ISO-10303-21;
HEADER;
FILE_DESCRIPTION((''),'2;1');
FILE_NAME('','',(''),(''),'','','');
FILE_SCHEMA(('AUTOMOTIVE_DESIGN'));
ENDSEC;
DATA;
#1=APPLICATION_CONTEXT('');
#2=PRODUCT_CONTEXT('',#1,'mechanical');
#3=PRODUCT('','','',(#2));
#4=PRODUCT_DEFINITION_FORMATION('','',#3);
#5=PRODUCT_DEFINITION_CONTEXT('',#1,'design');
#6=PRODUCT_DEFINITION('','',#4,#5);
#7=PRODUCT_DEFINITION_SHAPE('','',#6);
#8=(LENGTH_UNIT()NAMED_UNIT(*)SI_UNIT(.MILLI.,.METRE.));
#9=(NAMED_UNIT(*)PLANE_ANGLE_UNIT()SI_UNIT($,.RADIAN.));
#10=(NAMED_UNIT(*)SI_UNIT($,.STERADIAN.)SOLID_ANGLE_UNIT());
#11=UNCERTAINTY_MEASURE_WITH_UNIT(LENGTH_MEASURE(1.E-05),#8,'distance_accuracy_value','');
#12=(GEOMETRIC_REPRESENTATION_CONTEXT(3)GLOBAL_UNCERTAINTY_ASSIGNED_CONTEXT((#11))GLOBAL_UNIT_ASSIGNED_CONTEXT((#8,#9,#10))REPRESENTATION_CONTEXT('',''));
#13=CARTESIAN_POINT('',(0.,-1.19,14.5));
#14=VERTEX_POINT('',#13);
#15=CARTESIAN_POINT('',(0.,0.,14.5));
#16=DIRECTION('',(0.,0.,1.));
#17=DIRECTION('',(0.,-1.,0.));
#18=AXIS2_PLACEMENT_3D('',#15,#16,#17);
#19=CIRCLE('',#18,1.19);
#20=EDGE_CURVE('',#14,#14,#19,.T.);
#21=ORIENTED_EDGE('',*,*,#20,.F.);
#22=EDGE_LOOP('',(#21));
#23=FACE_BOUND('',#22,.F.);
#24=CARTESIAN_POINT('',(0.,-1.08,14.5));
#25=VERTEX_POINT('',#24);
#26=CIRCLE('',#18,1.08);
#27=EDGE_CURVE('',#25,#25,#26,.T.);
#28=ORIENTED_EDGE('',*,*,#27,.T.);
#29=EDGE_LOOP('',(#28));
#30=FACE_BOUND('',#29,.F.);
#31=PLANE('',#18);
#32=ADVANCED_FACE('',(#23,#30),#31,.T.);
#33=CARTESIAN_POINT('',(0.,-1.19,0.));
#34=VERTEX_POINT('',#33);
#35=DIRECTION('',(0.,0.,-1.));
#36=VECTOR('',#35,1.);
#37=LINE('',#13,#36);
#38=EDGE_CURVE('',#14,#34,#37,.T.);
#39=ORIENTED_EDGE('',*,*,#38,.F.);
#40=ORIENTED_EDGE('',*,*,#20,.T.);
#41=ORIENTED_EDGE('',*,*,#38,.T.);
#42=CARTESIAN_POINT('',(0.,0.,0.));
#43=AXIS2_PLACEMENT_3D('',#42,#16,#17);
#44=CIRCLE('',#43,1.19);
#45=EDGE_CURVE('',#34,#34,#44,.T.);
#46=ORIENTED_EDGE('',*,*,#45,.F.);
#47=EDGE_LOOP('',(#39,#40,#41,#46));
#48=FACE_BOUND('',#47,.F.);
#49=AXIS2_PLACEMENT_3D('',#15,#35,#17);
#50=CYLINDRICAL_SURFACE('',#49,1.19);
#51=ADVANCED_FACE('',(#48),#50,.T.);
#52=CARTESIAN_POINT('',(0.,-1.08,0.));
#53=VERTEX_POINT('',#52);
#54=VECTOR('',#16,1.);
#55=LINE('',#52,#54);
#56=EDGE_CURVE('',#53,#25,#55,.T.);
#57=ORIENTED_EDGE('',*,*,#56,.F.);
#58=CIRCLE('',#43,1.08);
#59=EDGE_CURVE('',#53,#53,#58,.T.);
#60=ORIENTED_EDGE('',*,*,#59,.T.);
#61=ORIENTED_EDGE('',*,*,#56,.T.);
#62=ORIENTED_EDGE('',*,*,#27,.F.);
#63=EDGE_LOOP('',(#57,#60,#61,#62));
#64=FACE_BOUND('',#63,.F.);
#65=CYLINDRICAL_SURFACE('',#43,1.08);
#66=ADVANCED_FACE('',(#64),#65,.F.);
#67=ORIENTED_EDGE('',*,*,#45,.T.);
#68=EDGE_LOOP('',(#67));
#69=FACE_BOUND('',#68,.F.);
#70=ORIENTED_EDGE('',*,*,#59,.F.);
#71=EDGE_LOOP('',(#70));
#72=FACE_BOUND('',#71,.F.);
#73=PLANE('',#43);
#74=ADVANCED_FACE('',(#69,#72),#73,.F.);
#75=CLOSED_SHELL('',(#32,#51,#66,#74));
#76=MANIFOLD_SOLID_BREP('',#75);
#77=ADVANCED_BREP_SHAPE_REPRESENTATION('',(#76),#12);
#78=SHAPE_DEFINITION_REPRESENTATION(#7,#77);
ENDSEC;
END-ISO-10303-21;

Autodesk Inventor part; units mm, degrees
ref_plane "YZ Plane" through (0, 0, 0) normal (1, 0, 0) x (0, 1, 0)
ref_plane "XZ Plane" through (0, 0, 0) normal (0, 1, 0) x (-1, 0, 0)
ref_plane "XY Plane" through (0, 0, 0) normal (0, 0, 1) x (1, 0, 0)
sketch "Skizze3" plane through (0, 0, 0) normal (1, 0, 0) x (0, 1, 0)
  line L0 (0, 0) -> (0, 8.4101)
  line L1 (-1.08, 0) -> (-1.08, 14.5)
  line L2 (-1.08, 14.5) -> (-1.19, 14.5)
  line L3 (-1.19, 14.5) -> (-1.19, 0)
  line L4 (-1.19, 0) -> (-1.08, 0)
  dimension "d4" = 2.38
  dimension "d5" = 14.5
  dimension "d6" = 2.16
revolve "Umdrehung1" add sketch "Skizze3" angle 360 about axis through (0, 0, 0) along (0, 0, 1)
properties part number "BT005_huenin20_23" material "Titan"
